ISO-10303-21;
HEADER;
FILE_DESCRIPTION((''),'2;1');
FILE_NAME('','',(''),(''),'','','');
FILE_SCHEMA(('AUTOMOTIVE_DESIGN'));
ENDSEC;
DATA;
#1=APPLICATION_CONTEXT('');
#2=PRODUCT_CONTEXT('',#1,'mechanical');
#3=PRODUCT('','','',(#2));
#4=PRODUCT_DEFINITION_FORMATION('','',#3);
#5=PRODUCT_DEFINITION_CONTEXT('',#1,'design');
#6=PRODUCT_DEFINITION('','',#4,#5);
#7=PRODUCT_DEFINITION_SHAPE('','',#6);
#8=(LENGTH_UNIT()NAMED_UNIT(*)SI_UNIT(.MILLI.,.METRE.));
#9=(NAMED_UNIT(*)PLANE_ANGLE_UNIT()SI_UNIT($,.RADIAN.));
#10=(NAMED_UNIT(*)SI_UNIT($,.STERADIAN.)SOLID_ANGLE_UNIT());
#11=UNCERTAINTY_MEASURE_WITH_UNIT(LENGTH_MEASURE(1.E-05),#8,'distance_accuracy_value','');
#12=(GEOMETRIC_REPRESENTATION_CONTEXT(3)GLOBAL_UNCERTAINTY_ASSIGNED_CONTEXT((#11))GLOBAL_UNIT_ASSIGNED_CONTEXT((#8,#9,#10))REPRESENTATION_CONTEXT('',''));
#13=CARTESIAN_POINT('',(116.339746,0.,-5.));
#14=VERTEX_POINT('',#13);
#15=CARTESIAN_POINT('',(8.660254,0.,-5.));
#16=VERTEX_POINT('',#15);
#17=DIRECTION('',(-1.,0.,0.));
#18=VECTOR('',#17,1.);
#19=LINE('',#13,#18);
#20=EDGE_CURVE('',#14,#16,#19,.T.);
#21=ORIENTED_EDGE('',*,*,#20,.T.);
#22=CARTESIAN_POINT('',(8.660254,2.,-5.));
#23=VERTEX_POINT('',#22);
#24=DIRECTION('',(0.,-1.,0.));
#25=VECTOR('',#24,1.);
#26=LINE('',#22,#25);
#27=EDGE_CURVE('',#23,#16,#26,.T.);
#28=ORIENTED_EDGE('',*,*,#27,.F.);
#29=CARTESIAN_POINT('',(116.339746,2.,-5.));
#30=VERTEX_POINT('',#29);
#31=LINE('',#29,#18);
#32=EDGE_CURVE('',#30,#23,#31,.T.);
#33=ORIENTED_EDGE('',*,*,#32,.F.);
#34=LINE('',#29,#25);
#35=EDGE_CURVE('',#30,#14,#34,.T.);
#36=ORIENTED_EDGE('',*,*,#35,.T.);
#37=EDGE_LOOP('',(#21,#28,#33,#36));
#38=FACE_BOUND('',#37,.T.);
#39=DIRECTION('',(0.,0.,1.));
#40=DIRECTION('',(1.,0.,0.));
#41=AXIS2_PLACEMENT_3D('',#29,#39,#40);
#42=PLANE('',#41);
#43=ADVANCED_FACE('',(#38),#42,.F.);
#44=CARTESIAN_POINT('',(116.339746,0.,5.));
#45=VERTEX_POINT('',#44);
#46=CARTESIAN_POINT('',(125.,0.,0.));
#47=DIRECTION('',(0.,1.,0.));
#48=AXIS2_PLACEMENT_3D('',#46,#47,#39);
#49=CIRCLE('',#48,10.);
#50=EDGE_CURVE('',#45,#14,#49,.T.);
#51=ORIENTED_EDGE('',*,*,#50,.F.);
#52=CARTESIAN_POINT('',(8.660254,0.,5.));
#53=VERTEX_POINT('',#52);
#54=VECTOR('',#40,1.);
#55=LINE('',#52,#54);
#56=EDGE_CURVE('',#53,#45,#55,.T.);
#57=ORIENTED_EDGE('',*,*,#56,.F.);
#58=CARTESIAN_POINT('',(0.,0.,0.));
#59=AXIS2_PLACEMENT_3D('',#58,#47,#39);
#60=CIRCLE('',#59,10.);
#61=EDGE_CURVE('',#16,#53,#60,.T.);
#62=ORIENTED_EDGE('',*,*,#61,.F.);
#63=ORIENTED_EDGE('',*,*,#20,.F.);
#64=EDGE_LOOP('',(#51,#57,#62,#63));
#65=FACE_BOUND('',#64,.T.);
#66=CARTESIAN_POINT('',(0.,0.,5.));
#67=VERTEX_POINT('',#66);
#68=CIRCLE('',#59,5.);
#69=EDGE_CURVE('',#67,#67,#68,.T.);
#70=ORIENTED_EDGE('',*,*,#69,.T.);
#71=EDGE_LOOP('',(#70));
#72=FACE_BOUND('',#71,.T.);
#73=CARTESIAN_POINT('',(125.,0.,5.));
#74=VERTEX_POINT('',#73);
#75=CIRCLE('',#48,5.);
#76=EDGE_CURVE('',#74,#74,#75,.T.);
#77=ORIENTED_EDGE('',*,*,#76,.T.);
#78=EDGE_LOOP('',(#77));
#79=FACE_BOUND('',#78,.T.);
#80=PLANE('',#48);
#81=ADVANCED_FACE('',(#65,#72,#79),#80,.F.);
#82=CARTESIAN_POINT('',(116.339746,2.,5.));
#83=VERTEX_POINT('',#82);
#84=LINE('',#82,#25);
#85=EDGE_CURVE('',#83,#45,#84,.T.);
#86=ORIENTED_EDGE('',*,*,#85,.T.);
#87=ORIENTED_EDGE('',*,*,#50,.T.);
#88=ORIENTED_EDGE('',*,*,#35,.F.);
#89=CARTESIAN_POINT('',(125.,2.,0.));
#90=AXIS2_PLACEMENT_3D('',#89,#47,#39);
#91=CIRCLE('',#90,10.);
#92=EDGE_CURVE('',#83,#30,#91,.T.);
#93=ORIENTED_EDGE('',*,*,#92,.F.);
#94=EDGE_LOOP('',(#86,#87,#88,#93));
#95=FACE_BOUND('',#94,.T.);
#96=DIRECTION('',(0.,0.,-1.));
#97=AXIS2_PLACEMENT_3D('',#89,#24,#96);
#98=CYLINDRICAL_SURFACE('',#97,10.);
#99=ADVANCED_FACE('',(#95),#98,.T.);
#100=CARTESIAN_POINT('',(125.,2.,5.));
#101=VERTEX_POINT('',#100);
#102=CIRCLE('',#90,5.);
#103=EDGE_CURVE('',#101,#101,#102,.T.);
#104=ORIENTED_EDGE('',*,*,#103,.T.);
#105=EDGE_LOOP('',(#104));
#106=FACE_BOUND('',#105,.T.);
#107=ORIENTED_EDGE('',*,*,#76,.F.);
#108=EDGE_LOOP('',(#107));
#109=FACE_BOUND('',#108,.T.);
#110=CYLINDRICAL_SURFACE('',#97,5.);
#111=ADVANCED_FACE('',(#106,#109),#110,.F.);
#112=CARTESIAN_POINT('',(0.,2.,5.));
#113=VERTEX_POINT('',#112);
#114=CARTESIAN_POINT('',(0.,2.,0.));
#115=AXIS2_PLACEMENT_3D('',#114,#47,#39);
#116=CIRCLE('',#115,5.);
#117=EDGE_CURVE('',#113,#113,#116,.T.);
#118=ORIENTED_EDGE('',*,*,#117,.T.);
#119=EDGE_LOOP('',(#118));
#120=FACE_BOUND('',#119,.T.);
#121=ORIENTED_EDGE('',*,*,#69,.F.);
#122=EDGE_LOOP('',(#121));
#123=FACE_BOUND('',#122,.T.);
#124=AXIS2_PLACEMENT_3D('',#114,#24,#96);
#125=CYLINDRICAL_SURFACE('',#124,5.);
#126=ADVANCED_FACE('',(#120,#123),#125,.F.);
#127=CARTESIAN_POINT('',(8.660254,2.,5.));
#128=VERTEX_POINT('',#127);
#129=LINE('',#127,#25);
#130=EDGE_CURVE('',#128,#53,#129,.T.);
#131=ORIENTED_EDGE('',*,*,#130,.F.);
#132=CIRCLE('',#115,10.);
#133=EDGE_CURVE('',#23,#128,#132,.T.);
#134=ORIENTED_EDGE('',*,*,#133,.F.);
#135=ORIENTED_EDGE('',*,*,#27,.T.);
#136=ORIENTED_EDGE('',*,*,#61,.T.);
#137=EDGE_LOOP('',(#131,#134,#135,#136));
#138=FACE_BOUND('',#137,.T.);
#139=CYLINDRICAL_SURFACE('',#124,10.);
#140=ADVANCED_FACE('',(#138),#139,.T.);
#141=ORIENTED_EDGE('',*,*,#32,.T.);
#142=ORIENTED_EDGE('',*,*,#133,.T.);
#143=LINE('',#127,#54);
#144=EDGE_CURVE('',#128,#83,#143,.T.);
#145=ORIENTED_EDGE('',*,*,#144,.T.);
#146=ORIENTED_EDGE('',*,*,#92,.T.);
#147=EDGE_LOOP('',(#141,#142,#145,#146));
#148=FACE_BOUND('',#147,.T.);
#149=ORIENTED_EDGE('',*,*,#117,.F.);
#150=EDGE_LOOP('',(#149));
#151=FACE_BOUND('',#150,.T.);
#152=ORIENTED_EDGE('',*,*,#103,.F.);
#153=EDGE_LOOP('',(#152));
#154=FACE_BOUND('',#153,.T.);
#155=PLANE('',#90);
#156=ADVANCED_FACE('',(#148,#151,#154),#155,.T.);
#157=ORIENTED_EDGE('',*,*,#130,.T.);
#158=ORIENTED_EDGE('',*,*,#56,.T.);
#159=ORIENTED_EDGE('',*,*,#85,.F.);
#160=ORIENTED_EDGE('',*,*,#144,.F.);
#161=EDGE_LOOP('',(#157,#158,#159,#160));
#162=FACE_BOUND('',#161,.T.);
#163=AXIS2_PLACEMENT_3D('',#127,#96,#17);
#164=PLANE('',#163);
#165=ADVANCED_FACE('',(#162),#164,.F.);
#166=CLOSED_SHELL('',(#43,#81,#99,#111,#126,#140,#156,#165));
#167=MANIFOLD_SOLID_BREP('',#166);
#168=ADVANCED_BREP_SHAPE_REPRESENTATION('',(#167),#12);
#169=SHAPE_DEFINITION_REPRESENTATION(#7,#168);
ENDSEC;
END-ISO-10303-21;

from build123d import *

# Parameters (mm, degrees)
SKETCH_5_R      = 5
EXTRUDE_1_DEPTH = 2


with BuildPart() as part:
    # 草圖5 → 填料-伸長1 (new body)
    with BuildSketch(Plane(origin=(0, 0, 0), x_dir=(1, 0, 0), z_dir=(0, 1, 0))):
        with BuildLine():
            Line((8.660254038, -5), (116.339745962, -5))
            ThreePointArc((116.339745962, -5), (135, 0), (116.339745962, 5))
            Line((116.339745962, 5), (8.660254038, 5))
            ThreePointArc((8.660254038, 5), (-10, 0), (8.660254038, -5))
        make_face()
        Circle(SKETCH_5_R, mode=Mode.SUBTRACT)
        with Locations((125, 0)):
            Circle(SKETCH_5_R, mode=Mode.SUBTRACT)
    extrude(amount=EXTRUDE_1_DEPTH)


solid = part.part
